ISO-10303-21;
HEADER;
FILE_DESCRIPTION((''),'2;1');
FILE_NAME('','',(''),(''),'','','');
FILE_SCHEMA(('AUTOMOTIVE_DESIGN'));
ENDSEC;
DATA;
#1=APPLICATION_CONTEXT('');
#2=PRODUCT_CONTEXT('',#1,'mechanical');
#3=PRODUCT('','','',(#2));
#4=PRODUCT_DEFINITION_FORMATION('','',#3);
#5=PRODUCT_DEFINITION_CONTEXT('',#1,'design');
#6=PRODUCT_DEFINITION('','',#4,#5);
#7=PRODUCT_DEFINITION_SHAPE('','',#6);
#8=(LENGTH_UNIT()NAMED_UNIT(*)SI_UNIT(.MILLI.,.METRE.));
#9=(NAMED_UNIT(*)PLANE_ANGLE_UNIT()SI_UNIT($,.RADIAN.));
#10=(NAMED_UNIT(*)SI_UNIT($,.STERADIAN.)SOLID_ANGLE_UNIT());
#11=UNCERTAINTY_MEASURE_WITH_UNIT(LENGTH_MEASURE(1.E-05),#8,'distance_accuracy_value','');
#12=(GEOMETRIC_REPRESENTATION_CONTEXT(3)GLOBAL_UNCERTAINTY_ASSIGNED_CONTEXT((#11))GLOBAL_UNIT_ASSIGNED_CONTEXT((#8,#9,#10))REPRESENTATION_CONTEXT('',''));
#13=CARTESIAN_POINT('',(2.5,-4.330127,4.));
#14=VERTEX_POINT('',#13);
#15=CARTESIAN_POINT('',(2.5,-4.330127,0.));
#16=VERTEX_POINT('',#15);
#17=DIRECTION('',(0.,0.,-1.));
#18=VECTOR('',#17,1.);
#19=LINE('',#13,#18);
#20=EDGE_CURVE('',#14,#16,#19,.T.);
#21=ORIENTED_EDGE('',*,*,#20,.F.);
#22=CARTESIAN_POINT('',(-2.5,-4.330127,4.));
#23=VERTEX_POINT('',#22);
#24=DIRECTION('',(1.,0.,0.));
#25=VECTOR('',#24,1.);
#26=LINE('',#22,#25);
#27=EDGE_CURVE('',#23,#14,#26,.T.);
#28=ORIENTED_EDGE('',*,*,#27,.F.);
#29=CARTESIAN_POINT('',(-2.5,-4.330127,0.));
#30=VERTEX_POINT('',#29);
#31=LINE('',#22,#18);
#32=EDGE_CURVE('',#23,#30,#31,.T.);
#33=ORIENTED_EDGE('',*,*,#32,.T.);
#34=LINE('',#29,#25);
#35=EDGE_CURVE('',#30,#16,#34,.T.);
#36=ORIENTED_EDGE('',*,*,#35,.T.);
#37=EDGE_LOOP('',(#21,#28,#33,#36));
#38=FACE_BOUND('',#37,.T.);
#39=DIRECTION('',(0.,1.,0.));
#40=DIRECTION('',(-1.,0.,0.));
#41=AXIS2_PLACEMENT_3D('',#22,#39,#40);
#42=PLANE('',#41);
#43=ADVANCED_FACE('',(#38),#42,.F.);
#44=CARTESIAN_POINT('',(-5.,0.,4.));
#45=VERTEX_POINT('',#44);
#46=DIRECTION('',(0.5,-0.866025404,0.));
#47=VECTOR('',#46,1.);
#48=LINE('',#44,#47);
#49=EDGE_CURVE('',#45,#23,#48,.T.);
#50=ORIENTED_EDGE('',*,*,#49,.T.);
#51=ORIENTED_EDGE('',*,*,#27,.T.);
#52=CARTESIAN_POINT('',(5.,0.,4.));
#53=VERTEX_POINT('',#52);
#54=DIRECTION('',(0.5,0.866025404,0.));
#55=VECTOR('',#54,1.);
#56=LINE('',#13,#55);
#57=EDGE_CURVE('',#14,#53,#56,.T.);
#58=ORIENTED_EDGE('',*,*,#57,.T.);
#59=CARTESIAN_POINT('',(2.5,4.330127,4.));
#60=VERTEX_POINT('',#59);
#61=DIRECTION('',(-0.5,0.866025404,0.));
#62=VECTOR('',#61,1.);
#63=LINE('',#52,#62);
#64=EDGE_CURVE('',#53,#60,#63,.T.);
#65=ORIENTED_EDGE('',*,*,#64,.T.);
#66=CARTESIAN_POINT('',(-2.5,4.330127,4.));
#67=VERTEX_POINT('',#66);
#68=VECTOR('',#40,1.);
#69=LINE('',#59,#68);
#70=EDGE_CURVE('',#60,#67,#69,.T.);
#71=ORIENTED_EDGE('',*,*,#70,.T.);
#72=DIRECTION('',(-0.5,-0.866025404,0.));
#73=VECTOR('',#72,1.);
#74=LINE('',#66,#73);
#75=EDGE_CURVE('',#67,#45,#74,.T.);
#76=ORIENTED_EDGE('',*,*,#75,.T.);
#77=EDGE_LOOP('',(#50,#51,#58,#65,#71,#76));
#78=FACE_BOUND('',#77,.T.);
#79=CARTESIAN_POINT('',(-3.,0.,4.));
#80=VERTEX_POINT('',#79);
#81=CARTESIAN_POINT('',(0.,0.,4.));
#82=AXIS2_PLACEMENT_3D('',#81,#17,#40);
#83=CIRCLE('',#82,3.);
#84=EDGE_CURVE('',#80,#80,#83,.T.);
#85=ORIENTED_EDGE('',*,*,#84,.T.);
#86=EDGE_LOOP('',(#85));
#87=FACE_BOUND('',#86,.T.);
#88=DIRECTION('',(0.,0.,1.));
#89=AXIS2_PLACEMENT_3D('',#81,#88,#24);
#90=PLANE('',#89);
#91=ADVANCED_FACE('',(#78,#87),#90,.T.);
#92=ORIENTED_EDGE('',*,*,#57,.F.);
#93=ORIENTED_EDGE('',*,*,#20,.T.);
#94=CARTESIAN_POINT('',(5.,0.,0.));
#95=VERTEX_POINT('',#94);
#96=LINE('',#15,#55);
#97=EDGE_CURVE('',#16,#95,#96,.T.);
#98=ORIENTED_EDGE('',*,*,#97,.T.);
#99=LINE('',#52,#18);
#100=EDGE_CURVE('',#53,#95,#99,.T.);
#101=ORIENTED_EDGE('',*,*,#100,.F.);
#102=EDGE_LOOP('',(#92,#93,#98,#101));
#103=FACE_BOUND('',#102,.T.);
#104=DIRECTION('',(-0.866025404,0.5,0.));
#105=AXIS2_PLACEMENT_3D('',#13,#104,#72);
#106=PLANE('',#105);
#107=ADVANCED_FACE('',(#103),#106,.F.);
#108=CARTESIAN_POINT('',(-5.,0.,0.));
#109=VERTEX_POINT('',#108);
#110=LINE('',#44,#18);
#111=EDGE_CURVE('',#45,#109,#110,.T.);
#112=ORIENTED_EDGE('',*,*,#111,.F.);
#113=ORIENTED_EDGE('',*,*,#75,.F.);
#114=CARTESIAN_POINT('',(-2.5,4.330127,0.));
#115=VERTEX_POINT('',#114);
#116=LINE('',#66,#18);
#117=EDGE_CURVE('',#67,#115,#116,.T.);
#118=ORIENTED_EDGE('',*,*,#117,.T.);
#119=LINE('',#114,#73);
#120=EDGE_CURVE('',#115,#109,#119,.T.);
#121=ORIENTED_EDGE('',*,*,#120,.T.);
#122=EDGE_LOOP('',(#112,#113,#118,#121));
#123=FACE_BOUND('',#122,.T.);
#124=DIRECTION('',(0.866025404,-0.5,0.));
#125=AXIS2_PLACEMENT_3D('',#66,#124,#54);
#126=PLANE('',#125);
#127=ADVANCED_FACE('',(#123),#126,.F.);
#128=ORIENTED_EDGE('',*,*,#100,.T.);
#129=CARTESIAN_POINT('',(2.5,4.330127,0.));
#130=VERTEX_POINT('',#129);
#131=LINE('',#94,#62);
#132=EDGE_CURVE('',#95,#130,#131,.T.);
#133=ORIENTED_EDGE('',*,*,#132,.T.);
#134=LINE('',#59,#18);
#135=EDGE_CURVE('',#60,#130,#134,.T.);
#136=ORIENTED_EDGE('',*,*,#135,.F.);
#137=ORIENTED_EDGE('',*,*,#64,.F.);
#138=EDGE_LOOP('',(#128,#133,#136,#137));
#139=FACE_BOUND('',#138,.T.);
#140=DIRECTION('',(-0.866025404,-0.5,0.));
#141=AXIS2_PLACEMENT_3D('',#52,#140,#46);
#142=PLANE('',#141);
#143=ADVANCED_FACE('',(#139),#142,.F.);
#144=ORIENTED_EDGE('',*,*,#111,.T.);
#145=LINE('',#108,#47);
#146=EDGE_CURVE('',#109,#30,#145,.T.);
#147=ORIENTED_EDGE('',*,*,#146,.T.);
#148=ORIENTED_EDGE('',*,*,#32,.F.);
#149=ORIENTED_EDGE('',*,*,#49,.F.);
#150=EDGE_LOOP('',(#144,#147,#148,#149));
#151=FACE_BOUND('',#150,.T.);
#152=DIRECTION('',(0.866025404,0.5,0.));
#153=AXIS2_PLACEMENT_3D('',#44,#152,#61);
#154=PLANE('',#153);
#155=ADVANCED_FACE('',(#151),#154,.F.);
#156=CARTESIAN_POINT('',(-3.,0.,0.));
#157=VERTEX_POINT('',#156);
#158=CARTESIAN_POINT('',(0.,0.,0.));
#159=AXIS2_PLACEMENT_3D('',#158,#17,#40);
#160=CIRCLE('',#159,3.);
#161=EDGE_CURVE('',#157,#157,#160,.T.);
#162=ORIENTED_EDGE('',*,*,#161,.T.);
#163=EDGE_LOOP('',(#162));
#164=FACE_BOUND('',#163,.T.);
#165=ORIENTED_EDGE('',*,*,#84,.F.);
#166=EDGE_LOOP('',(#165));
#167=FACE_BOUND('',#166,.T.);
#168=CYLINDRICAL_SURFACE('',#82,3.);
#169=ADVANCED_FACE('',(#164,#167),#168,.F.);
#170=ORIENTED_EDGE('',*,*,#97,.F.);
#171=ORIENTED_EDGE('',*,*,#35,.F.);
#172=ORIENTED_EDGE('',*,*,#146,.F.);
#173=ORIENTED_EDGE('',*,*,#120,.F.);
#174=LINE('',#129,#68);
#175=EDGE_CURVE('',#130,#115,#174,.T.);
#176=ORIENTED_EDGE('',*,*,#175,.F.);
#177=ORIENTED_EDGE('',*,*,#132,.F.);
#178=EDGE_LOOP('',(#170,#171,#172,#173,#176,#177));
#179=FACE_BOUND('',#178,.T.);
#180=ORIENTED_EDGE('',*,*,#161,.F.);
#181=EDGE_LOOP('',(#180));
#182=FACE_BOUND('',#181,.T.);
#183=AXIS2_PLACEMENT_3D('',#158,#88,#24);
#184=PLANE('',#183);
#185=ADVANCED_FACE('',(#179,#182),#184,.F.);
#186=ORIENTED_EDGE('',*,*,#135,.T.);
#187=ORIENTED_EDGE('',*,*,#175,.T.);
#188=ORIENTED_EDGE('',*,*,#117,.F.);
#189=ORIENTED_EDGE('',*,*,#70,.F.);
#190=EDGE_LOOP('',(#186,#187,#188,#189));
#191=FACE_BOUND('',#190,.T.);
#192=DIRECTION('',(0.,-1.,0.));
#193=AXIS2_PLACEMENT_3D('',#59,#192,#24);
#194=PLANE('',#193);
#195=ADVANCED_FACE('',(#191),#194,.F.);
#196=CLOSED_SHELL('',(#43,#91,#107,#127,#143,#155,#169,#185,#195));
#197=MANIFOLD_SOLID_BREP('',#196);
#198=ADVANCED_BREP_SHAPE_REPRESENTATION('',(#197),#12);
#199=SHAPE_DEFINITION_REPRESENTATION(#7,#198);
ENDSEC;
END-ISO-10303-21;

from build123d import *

# Parameters (mm, degrees)
SALIENTE_EXTRUIR1_DEPTH = 4
CROQUIS3_R              = 3
CORTAR_EXTRUIR1_DEPTH   = 5


with BuildPart() as part:
    # Croquis2 → Saliente-Extruir1 (new body)
    with BuildSketch(Plane.XY):
        Polygon((5, 0), (2.5, 4.330127019), (-2.5, 4.330127019), (-5, 0), (-2.5, -4.330127019), (2.5, -4.330127019), align=None)
    extrude(amount=SALIENTE_EXTRUIR1_DEPTH)

    # Croquis3 → Cortar-Extruir1 (cut, through all)
    with BuildSketch(Plane(origin=(0, 0, 0), x_dir=(-1, 0, 0), z_dir=(0, 0, -1))):
        Circle(CROQUIS3_R)
    extrude(amount=-CORTAR_EXTRUIR1_DEPTH, mode=Mode.SUBTRACT)


solid = part.part
